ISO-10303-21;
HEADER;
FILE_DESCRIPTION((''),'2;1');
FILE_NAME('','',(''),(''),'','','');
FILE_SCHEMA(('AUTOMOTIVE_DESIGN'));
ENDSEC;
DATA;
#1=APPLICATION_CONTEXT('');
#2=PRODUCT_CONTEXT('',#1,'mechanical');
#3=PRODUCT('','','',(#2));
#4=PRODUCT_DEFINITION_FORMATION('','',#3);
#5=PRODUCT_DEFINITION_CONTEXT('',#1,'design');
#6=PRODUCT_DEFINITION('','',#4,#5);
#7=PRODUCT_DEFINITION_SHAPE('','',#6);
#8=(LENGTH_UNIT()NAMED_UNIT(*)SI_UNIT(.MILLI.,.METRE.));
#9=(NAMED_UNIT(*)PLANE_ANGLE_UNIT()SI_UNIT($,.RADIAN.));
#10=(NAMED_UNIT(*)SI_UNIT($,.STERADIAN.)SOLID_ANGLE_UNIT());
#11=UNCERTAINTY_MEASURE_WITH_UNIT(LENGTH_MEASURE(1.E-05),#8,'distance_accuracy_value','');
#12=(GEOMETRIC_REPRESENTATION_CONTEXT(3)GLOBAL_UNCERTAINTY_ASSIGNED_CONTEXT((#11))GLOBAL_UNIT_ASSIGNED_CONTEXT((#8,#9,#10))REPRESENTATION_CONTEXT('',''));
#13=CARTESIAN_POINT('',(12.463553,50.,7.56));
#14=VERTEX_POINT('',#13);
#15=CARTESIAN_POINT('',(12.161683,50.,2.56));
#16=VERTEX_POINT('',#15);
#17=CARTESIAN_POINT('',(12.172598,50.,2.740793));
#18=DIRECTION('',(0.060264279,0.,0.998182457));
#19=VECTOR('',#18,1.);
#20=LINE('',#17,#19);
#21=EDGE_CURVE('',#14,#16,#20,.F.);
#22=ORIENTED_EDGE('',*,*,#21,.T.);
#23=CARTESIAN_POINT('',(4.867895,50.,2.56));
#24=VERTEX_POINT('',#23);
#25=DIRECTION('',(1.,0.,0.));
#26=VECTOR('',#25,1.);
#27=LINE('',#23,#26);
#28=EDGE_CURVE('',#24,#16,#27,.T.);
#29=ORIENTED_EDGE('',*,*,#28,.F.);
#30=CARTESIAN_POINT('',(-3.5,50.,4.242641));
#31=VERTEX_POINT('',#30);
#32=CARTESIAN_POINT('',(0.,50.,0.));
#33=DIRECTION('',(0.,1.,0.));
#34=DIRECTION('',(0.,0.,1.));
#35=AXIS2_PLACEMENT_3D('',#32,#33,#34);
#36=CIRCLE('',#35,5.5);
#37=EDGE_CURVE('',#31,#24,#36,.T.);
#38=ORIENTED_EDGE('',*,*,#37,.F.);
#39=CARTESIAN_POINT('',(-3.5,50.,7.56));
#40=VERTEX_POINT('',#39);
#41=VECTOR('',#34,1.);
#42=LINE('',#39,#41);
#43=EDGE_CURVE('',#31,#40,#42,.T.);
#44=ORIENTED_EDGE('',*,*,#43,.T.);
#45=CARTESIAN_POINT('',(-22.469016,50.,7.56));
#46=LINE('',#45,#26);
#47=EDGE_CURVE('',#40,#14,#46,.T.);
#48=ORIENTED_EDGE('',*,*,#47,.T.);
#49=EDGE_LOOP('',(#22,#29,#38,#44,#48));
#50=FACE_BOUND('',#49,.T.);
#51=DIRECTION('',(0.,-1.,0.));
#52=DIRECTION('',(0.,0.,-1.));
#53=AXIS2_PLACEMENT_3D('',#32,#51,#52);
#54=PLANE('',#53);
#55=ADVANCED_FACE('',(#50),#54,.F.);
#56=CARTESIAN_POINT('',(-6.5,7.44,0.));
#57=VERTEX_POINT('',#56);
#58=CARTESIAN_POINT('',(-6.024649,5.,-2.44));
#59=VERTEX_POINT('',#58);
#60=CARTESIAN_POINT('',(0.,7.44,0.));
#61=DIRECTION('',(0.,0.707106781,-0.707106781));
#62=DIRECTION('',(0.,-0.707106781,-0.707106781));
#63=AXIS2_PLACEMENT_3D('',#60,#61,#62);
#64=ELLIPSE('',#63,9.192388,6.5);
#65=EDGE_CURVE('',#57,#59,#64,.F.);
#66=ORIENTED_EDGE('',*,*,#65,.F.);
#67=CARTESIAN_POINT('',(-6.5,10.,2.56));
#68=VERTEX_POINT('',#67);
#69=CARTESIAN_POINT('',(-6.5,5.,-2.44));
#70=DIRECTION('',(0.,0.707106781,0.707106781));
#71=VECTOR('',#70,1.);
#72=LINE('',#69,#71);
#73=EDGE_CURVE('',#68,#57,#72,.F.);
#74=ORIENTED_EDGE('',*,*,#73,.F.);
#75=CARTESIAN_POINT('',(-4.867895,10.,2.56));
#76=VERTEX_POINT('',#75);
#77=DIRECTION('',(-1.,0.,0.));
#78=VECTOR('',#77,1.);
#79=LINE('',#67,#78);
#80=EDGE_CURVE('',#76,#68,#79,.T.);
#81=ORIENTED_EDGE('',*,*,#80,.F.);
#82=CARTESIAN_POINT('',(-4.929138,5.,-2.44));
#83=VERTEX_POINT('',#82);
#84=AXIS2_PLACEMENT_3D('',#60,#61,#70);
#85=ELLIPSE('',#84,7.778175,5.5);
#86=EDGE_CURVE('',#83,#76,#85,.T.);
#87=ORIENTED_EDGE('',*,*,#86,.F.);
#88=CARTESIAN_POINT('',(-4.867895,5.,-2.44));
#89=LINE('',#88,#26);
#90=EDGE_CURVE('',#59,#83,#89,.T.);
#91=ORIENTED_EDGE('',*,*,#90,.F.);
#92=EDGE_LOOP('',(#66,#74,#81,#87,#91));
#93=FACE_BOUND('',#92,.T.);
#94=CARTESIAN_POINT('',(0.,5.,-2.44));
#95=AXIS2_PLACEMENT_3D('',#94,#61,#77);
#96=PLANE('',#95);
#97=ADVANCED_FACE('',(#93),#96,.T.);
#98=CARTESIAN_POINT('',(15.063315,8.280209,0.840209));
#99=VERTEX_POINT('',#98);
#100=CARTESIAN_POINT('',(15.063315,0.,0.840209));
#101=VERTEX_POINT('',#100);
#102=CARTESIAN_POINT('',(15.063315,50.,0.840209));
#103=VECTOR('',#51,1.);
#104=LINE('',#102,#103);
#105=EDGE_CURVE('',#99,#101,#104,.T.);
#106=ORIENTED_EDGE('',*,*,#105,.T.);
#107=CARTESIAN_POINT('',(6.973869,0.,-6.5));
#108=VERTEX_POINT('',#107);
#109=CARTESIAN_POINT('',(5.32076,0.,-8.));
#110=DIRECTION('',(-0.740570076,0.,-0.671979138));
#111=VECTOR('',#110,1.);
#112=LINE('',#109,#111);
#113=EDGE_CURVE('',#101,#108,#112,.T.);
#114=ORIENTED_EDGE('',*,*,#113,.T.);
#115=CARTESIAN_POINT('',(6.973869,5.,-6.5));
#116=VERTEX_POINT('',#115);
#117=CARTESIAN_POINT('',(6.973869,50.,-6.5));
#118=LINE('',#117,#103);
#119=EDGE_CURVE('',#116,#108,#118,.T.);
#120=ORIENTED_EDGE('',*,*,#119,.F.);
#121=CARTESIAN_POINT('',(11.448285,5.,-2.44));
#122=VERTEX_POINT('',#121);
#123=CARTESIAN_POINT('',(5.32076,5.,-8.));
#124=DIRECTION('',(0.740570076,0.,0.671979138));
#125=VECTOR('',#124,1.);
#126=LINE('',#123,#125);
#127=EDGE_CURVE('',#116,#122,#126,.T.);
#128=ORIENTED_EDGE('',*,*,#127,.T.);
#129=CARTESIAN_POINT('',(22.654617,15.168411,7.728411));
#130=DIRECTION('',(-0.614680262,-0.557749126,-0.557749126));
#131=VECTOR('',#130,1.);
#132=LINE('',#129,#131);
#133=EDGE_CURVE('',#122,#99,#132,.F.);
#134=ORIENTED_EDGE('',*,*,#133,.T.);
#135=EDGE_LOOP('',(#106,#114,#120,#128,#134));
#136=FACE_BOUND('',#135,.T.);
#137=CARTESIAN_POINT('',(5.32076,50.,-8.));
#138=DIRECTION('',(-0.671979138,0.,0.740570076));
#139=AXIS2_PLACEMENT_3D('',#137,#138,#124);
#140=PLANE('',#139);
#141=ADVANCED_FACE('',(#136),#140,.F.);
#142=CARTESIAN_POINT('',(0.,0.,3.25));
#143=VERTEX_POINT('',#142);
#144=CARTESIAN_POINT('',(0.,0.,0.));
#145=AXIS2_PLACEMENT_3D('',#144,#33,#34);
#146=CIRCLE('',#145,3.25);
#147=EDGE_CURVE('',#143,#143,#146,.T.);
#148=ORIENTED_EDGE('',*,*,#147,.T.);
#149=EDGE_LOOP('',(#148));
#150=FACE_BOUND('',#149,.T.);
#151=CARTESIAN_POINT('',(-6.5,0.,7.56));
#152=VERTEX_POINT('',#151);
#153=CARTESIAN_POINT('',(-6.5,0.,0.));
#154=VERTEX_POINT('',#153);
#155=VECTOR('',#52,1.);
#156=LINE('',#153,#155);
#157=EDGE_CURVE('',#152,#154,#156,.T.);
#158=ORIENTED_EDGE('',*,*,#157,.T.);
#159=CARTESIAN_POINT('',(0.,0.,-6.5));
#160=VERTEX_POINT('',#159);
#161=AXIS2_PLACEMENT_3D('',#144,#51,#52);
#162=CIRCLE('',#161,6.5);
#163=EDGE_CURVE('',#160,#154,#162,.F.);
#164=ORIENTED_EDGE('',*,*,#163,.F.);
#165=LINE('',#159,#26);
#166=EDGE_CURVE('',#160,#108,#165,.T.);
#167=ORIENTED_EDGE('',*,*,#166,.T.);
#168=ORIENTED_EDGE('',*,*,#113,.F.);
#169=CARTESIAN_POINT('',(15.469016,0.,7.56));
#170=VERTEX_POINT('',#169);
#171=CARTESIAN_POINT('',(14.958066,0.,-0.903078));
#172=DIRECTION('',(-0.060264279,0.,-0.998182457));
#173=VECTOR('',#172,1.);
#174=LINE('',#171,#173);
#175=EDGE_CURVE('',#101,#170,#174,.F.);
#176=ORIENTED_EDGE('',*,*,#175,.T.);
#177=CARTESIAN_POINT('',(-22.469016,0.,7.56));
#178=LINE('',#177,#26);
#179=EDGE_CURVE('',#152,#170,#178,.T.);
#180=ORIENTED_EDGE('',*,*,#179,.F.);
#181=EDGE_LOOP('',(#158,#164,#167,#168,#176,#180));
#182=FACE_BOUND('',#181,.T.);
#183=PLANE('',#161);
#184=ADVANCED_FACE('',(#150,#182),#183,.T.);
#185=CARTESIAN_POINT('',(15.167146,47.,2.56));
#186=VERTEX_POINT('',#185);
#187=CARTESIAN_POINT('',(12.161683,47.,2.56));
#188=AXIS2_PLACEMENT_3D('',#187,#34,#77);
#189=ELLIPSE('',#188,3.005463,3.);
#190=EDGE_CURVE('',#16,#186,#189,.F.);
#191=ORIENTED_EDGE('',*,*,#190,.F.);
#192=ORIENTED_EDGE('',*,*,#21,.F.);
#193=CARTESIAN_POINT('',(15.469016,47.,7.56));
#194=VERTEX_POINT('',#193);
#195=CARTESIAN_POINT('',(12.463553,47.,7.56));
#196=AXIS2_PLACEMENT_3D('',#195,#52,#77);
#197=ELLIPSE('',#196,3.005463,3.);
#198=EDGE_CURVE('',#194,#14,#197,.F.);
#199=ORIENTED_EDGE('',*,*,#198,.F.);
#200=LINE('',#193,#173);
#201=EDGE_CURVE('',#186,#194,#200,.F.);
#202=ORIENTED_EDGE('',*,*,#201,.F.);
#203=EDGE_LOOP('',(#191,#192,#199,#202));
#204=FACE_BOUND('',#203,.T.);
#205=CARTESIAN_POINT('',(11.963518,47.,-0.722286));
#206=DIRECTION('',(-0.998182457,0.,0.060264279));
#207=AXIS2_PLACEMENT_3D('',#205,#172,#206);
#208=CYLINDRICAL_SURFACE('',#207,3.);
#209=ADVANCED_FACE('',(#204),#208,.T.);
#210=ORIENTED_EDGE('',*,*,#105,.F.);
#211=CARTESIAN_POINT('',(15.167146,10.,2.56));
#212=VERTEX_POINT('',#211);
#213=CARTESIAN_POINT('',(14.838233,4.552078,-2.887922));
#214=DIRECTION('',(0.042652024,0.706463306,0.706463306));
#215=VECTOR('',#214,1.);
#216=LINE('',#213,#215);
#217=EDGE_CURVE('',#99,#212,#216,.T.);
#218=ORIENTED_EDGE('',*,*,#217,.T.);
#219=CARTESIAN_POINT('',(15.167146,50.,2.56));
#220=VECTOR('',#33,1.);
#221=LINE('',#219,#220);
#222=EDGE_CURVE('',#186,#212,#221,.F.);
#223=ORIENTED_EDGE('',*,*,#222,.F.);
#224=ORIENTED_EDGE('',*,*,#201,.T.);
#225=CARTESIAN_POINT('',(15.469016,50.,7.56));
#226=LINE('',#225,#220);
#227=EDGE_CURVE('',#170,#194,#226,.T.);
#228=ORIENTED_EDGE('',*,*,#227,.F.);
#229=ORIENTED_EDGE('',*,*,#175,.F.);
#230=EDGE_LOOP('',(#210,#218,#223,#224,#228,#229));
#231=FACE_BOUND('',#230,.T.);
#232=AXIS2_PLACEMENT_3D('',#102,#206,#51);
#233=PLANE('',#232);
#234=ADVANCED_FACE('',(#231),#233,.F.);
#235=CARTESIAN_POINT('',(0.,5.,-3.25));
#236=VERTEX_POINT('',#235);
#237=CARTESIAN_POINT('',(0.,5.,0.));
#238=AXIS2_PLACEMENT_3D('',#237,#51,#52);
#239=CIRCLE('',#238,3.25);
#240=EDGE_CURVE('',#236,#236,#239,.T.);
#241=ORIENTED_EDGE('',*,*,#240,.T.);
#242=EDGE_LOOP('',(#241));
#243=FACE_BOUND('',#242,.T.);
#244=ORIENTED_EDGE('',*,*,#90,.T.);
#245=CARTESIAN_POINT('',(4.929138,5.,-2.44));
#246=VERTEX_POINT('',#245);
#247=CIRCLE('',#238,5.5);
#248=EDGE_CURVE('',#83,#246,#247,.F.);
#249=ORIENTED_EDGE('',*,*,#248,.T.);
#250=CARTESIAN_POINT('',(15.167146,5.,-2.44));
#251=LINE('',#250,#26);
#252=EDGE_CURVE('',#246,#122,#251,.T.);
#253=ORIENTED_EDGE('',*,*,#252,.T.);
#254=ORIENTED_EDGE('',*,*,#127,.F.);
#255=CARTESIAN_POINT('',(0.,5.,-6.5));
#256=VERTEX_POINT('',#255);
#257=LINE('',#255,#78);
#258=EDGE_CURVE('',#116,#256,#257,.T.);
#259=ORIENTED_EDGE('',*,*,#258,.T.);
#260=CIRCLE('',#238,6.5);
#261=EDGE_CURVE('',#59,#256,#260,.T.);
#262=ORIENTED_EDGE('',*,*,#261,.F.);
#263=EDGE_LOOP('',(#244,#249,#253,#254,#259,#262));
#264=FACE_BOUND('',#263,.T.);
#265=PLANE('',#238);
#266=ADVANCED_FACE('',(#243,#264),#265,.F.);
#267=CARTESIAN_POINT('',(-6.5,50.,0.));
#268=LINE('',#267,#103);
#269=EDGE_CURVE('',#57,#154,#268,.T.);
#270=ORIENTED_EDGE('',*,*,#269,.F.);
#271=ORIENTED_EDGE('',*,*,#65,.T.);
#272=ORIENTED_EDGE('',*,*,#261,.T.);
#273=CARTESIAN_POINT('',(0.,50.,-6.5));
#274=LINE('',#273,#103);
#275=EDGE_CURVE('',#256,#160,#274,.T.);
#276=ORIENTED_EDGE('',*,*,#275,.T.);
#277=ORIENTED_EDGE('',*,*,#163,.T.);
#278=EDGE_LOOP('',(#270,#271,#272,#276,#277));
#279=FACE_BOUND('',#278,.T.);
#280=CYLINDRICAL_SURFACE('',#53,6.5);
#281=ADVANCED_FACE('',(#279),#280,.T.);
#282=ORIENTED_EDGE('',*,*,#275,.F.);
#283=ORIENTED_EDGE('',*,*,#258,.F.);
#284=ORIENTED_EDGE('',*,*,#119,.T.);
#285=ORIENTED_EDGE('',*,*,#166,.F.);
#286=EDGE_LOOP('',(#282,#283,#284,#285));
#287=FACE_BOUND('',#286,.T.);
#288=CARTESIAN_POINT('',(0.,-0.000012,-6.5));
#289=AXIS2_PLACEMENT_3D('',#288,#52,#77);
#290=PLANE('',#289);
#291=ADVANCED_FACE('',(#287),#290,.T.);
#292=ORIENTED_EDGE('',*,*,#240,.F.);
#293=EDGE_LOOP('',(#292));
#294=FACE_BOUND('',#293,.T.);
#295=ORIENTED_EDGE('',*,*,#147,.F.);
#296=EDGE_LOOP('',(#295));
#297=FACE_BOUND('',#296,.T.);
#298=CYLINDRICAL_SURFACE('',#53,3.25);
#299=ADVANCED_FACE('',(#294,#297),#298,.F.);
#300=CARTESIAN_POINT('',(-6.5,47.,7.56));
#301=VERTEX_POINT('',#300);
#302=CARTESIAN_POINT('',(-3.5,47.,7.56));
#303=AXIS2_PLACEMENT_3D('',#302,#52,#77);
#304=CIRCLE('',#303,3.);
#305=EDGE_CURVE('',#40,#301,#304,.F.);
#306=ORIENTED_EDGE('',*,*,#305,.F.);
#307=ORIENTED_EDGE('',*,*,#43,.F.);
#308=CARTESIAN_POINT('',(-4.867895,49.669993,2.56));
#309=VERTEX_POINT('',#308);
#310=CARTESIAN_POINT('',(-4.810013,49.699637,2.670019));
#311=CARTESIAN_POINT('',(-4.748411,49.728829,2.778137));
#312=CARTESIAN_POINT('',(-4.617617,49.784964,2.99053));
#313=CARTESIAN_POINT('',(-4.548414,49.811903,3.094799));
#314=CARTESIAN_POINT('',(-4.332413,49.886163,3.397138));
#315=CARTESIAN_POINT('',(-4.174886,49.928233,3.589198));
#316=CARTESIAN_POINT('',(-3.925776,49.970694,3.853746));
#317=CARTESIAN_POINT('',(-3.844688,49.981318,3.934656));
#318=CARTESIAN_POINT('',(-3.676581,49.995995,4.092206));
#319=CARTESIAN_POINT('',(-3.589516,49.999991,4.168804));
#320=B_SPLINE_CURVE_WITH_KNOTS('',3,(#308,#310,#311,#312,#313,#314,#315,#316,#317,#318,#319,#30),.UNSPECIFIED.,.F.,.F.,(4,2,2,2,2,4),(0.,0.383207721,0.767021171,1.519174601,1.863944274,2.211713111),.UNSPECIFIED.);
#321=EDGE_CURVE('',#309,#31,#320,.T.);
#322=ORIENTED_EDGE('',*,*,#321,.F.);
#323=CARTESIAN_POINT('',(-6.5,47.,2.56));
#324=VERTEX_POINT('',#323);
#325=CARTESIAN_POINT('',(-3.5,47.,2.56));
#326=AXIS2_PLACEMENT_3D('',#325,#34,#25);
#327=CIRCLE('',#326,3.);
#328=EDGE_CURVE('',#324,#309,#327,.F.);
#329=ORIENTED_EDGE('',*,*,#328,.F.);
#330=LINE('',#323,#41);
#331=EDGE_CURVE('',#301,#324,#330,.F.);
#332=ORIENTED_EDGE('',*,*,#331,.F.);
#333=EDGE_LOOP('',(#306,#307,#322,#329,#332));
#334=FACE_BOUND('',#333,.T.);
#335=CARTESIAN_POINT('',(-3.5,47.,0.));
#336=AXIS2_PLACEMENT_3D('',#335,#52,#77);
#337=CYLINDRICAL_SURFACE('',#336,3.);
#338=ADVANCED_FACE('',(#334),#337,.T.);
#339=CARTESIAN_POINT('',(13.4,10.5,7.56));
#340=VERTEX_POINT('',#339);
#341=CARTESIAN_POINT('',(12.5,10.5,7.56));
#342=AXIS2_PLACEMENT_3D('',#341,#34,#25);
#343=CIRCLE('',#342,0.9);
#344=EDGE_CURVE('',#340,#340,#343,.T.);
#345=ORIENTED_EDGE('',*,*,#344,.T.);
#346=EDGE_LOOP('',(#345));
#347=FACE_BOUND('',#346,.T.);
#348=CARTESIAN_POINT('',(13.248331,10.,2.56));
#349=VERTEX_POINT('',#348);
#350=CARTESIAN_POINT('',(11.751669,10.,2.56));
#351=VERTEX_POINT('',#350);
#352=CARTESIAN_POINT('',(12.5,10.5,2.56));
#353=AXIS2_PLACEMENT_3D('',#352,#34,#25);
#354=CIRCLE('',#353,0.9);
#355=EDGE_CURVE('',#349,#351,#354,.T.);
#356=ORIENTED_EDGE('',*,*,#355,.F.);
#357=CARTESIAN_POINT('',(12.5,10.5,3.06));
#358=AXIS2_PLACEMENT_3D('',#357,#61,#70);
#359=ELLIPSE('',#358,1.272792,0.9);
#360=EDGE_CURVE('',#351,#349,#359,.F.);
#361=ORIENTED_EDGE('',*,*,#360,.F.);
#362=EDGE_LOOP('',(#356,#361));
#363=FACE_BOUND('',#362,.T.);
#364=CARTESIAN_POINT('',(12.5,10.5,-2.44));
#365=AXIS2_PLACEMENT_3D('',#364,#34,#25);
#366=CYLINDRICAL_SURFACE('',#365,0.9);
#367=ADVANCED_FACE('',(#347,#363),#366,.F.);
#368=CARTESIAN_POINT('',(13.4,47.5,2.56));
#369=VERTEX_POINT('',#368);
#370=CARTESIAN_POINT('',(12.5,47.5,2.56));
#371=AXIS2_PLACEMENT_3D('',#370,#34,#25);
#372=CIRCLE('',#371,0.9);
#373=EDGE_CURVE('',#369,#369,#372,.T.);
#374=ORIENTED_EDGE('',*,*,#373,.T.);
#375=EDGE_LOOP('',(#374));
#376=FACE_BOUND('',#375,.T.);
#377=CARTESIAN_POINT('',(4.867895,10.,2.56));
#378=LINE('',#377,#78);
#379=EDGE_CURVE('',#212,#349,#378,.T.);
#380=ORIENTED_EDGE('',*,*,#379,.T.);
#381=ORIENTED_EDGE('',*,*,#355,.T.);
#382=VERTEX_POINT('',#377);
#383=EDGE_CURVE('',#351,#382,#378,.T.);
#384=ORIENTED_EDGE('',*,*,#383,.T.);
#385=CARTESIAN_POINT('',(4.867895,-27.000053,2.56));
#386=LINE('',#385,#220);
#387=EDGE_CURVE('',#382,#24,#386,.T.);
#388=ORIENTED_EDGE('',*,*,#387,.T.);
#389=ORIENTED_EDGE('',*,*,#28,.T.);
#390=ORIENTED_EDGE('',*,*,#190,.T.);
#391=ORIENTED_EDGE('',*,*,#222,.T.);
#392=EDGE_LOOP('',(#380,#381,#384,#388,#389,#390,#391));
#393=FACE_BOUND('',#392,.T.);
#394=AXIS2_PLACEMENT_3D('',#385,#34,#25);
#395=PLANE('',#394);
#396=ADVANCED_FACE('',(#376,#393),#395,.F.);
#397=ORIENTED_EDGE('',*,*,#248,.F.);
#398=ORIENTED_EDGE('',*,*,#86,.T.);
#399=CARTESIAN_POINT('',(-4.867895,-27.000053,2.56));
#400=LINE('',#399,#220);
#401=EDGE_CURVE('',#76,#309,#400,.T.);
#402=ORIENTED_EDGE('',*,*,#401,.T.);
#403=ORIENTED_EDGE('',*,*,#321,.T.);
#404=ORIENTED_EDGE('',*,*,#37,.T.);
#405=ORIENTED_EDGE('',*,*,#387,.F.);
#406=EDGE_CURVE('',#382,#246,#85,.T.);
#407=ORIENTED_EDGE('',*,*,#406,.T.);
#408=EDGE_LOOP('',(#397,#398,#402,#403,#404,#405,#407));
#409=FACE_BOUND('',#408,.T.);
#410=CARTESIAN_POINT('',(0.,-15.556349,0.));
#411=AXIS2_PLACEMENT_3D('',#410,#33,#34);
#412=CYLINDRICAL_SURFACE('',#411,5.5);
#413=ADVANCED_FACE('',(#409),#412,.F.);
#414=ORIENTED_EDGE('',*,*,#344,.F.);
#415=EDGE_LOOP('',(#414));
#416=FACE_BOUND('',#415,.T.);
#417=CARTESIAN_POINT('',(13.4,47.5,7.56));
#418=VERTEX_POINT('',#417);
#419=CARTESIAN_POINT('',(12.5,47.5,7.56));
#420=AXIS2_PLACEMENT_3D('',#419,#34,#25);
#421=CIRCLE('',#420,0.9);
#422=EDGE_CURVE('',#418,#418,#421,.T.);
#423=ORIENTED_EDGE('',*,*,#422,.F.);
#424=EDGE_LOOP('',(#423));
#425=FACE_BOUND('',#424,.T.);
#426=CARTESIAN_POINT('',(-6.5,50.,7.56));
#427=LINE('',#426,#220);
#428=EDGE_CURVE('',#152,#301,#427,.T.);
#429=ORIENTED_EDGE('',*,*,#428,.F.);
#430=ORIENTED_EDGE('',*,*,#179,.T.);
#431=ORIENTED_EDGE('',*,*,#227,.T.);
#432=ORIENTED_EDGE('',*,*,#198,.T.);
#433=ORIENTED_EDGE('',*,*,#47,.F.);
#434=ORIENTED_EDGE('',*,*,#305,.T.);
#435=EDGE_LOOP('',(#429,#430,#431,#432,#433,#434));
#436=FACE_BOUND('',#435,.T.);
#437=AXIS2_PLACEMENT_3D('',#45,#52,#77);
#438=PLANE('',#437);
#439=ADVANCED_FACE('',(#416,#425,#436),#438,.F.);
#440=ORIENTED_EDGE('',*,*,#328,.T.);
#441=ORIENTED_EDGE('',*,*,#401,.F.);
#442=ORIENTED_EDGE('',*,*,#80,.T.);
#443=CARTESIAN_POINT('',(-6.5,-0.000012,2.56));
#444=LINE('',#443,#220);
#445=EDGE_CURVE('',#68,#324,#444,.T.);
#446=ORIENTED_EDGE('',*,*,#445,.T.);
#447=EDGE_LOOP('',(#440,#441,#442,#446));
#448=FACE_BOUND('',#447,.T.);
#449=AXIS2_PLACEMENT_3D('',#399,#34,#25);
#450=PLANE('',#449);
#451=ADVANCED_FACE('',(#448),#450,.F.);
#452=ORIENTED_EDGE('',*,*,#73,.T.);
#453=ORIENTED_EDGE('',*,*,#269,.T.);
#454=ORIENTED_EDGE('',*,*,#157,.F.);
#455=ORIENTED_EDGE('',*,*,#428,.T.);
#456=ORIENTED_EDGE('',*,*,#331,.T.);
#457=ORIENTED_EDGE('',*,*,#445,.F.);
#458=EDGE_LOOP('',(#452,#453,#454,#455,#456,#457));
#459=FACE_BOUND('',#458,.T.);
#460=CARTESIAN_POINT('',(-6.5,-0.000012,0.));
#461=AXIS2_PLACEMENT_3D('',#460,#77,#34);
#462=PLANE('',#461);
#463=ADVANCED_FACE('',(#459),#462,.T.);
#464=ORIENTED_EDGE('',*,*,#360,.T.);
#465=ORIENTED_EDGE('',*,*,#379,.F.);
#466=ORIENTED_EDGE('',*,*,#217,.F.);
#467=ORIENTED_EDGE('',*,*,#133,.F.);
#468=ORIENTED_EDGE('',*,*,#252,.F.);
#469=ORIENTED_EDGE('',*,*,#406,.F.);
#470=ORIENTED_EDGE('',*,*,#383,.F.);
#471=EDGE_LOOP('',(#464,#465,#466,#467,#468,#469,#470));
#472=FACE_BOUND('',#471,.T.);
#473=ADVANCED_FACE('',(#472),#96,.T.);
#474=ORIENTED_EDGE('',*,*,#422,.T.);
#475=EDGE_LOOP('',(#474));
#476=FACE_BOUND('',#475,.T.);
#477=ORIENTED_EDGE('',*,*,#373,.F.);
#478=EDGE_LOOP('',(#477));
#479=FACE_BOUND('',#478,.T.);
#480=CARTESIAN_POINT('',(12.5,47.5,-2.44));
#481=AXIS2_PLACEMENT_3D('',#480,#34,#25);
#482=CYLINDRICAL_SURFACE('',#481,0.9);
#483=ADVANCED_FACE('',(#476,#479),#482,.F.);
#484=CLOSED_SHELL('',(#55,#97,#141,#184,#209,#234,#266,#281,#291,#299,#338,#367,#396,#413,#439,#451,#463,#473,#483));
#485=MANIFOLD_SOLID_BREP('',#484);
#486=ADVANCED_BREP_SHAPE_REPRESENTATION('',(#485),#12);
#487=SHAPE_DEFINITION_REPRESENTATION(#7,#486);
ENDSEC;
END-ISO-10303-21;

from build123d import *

# Parameters (mm, degrees)
SKETCH1_R               = 3.25
BOSS_EXTRUDE1_DEPTH     = 50
CHAMFER4_SIZE           = 7
CHAMFER4_SIZE2          = 10
SKETCH2_R               = 5.5
CUT_EXTRUDE1_DEPTH      = 45
CUT_EXTRUDE3_DEPTH      = 56.397262251
CUT_EXTRUDE3_DEPTH_BACK = 50
CUT_EXTRUDE4_DEPTH      = 45
CHAMFER5_SIZE           = 5
SKETCH3_R               = 0.9
CUT_EXTRUDE5_DEPTH      = 10
FILLET1_R               = 3


with BuildPart() as part:
    # Sketch1 → Boss-Extrude1 (new body)
    with BuildSketch(Plane(origin=(0, 0, 0), x_dir=(1, 0, 0), z_dir=(0, 1, 0))):
        Polygon((-5.320759509, 8), (-22.469015665, -7.56), (22.469015665, -7.56), (5.320759509, 8), align=None)
        with Locations(Location((0, 0, 0), (0, 0, 270))):
            Circle(SKETCH1_R, mode=Mode.SUBTRACT)
    extrude(amount=BOSS_EXTRUDE1_DEPTH)

    # Chamfer4
    chamfer4_edges = [part.edges().sort_by_distance(p)[0] for p in [
        (22.469015665, 25, 7.56),
    ]]
    chamfer4_side = [part.faces().sort_by_distance(p)[0] for p in [
        (0, 25, 7.56),
    ]]
    chamfer(chamfer4_edges, length=CHAMFER4_SIZE, length2=CHAMFER4_SIZE2, reference=chamfer4_side[0])

    # Sketch2 → Cut-Extrude1 (cut)
    with BuildSketch(Plane(origin=(0, 50, 0), x_dir=(1, 0, 0), z_dir=(0, 1, 0))):
        with Locations(Location((0, 0, 0), (0, 0, 270))):
            Circle(SKETCH2_R)
    extrude(amount=-CUT_EXTRUDE1_DEPTH, mode=Mode.SUBTRACT)

    # Sketch4 → Cut-Extrude3 (cut, two sides: drawn at the far end of the back side and taken through both)
    with BuildSketch(Plane.XZ.offset(-CUT_EXTRUDE3_DEPTH_BACK)):
        with BuildLine():
            Line((-6.5, 0), (-6.5, 8.455296228))
            Line((-6.5, 8.455296228), (-18.092934759, 18.509530088))
            Line((-18.092934759, 18.509530088), (-27.843988074, 13.266508324))
            Line((-27.843988074, 13.266508324), (-26.239796982, -3.957148404))
            Line((-26.239796982, -3.957148404), (-22.051551969, -11.746511534))
            Line((-22.051551969, -11.746511534), (6.44529607, -11.904202977))
            Line((6.44529607, -11.904202977), (12.131507072, -6.5))
            Line((12.131507072, -6.5), (0, -6.5))
            ThreePointArc((0, -6.5), (-4.596194078, -4.596194078), (-6.5, 0))
        make_face()
    extrude(amount=CUT_EXTRUDE3_DEPTH + CUT_EXTRUDE3_DEPTH_BACK, mode=Mode.SUBTRACT)

    # Sketch5 → Cut-Extrude4 (cut)
    with BuildSketch(Plane(origin=(0, 50, 0), x_dir=(1, 0, 0), z_dir=(0, 1, 0))):
        Polygon((0, 0), (4.867894822, -2.56), (20.482845708, -2.56), (8.2569175, 8.380042473), (1.341376292, 8.380042473), (-9.589048862, 8.380042473), (-9.589048862, -2.56), (-4.867894822, -2.56), align=None)
    extrude(amount=-CUT_EXTRUDE4_DEPTH, mode=Mode.SUBTRACT)

    # Chamfer5
    chamfer5_edges = [part.edges().sort_by_distance(p)[0] for p in [
        (10.017520214, 5, 2.56),
        (-5.683947411, 5, 2.56),
    ]]
    chamfer(chamfer5_edges, length=CHAMFER5_SIZE)

    # Sketch3 → Cut-Extrude5 (cut)
    with BuildSketch(Plane.XY.offset(7.56)):
        with Locations((12.5, 47.5)):
            Circle(SKETCH3_R)
        with Locations((12.5, 10.5)):
            Circle(SKETCH3_R)
    extrude(amount=-CUT_EXTRUDE5_DEPTH, mode=Mode.SUBTRACT)

    # Fillet1
    fillet1_edges = [part.edges().sort_by_distance(p)[0] for p in [
        (15.318080635, 50, 5.06),
        (-6.5, 50, 5.06),
    ]]
    fillet(fillet1_edges, radius=FILLET1_R)


solid = part.part
